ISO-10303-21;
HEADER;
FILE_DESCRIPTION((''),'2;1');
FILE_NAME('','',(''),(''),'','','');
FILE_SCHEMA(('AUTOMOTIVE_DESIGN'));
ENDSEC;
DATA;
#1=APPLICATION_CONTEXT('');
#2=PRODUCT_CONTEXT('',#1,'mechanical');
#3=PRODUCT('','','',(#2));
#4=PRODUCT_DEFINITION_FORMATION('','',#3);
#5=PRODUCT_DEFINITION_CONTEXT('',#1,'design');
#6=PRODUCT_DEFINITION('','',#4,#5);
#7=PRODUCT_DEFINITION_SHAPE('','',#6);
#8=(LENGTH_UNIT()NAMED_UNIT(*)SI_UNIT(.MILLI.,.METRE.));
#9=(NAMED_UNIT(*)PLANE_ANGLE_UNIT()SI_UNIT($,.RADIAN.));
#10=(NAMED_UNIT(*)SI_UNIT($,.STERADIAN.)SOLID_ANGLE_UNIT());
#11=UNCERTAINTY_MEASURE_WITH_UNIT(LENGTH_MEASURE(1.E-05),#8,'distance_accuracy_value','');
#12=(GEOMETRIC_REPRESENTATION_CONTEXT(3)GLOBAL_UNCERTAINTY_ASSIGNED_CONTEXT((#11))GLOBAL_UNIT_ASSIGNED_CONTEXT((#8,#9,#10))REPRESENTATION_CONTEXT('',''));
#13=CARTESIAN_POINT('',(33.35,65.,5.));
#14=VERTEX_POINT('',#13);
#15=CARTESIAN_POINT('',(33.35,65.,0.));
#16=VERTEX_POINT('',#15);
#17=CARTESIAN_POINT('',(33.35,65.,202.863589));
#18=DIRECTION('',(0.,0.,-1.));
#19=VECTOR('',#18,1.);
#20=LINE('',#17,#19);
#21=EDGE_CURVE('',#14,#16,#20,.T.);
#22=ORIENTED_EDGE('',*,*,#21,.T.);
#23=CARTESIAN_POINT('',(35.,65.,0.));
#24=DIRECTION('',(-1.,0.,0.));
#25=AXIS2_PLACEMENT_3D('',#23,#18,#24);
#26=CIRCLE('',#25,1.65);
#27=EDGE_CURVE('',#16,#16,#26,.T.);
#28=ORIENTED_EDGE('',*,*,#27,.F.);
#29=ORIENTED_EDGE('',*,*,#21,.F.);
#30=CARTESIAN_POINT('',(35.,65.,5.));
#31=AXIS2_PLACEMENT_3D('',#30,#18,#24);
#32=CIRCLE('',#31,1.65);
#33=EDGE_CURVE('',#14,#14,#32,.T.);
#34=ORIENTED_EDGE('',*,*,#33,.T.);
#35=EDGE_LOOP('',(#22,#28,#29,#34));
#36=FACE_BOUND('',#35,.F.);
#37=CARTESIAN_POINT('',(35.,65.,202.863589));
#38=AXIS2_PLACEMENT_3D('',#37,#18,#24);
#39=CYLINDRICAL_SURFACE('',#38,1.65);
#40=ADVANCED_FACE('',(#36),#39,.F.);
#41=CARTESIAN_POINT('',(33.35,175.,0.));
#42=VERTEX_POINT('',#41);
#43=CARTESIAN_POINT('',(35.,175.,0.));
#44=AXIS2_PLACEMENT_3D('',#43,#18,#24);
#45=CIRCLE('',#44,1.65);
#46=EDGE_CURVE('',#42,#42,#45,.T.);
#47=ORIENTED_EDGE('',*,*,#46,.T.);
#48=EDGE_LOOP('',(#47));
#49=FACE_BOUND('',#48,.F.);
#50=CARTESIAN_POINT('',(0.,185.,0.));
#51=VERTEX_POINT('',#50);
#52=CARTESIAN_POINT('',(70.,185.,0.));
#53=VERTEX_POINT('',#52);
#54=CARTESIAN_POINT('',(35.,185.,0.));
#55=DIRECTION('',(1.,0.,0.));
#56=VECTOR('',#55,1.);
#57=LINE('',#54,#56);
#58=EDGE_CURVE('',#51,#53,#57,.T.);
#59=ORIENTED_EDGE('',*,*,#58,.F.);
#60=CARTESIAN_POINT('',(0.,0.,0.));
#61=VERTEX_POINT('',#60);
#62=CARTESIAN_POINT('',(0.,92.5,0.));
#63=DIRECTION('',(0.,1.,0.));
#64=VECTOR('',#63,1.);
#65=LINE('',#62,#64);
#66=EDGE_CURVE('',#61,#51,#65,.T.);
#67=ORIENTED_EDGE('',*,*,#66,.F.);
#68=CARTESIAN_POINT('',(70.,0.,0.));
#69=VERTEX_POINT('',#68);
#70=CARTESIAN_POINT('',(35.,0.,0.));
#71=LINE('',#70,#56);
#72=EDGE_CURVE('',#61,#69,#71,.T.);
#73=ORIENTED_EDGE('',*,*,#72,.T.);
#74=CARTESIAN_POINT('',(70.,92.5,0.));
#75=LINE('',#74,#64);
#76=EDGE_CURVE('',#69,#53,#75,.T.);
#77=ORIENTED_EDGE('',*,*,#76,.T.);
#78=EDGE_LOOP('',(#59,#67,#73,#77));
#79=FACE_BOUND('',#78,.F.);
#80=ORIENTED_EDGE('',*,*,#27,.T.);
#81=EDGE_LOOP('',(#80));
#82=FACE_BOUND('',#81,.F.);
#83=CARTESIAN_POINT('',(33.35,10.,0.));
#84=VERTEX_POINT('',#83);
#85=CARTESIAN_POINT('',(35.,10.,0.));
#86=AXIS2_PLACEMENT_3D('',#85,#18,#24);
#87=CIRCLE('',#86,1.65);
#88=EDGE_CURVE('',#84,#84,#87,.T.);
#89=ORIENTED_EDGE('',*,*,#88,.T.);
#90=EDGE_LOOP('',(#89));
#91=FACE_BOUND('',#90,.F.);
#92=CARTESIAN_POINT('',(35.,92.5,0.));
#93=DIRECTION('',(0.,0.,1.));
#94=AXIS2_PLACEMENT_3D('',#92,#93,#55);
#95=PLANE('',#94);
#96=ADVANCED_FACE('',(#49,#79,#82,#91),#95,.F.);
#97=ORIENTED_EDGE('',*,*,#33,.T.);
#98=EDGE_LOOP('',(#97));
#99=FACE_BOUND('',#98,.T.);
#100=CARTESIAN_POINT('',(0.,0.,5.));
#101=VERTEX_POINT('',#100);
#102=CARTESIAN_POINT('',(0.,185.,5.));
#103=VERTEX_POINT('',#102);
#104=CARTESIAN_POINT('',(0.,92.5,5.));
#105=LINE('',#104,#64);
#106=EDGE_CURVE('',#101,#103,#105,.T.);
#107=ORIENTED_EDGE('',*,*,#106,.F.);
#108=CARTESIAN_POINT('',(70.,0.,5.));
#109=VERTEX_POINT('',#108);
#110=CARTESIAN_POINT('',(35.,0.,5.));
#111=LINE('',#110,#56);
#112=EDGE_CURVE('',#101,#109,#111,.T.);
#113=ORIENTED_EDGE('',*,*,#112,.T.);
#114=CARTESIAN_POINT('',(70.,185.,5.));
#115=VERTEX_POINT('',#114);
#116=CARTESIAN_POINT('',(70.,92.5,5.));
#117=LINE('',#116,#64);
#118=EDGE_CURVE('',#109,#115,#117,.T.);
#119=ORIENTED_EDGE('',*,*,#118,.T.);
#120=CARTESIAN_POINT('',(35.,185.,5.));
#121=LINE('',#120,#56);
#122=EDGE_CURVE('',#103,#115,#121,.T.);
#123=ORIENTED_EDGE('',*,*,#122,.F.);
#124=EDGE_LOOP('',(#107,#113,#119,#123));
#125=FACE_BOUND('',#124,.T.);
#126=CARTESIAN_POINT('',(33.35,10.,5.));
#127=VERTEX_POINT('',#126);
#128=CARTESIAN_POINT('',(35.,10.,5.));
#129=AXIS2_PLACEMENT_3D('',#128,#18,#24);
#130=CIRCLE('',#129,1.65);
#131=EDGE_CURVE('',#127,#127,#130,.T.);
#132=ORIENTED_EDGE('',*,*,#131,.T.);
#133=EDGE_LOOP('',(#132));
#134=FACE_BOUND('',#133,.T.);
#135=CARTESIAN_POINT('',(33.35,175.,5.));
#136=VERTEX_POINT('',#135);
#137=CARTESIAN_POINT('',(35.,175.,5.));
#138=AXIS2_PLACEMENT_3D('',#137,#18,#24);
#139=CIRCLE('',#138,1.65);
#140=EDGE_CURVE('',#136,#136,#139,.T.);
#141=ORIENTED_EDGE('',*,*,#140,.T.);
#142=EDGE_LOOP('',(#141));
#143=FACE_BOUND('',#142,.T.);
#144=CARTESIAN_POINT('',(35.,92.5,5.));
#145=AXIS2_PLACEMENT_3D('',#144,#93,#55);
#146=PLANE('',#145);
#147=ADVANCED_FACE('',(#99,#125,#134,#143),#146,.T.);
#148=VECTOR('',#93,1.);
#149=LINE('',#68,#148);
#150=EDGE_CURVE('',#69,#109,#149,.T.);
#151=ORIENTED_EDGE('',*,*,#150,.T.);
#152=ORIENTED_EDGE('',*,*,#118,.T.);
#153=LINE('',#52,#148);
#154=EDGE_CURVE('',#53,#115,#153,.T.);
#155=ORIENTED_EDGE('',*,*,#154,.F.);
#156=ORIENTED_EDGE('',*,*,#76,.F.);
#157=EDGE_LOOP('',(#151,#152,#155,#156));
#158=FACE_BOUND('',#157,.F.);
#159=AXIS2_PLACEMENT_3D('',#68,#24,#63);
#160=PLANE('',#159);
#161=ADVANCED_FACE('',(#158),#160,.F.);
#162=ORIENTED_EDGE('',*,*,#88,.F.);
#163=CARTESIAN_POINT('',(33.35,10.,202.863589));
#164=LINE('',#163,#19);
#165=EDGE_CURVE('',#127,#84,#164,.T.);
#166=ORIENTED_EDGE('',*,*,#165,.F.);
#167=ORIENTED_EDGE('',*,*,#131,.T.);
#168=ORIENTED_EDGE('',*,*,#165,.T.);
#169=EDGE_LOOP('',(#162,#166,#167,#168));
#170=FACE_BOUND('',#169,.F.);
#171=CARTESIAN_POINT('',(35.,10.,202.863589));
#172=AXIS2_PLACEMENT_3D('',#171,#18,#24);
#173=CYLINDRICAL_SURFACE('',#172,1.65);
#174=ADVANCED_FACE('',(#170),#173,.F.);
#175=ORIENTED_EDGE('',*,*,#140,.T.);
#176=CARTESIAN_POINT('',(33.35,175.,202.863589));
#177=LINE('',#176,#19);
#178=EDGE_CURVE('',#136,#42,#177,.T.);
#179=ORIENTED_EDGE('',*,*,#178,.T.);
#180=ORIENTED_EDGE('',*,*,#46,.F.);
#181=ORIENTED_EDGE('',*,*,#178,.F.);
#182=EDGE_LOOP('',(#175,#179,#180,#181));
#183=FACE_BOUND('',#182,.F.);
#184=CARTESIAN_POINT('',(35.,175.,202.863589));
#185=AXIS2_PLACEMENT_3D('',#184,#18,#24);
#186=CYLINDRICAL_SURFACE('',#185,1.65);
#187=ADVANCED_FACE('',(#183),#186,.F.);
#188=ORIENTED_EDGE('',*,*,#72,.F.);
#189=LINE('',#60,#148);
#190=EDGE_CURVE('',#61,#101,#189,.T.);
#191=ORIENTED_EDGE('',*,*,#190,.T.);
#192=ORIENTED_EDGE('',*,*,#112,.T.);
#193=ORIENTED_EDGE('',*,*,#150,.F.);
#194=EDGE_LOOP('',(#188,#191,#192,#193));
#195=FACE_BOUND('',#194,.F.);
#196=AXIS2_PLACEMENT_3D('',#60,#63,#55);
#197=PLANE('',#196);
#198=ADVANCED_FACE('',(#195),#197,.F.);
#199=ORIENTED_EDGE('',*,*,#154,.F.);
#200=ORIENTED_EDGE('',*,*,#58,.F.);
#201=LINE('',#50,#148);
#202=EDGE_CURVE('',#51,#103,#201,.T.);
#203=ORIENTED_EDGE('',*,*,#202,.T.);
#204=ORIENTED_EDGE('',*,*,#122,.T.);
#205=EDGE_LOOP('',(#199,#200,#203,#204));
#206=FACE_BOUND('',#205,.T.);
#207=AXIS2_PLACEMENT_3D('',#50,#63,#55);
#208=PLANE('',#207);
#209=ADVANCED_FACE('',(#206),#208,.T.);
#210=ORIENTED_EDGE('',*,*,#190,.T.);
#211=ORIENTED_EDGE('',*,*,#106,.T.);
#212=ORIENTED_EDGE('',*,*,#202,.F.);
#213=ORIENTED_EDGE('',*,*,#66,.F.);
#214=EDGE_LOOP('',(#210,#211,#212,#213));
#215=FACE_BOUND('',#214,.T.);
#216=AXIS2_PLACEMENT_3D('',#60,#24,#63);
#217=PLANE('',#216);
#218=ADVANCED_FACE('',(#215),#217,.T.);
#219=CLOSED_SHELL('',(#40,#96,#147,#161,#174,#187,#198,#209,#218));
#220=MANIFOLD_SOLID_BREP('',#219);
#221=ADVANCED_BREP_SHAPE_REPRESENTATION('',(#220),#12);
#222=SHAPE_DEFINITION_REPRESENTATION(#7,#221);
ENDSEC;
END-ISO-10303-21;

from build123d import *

# Parameters (mm, degrees)
F0_W     = 70
F0_H     = 185
F1_DEPTH = 5
F3_D     = 3.3


with BuildPart() as f1:
    # F0 (on Top) → F1 (new body)
    with BuildSketch(Plane.XY):
        with Locations((35, 92.5)):
            Rectangle(F0_W, F0_H)
    extrude(amount=F1_DEPTH)

    # F3 (through all)
    with Locations(Plane.XY.offset(5)):
        with Locations((35, 175), (35, 65), (35, 10)):
            Hole(F3_D / 2)


solid = f1.part
